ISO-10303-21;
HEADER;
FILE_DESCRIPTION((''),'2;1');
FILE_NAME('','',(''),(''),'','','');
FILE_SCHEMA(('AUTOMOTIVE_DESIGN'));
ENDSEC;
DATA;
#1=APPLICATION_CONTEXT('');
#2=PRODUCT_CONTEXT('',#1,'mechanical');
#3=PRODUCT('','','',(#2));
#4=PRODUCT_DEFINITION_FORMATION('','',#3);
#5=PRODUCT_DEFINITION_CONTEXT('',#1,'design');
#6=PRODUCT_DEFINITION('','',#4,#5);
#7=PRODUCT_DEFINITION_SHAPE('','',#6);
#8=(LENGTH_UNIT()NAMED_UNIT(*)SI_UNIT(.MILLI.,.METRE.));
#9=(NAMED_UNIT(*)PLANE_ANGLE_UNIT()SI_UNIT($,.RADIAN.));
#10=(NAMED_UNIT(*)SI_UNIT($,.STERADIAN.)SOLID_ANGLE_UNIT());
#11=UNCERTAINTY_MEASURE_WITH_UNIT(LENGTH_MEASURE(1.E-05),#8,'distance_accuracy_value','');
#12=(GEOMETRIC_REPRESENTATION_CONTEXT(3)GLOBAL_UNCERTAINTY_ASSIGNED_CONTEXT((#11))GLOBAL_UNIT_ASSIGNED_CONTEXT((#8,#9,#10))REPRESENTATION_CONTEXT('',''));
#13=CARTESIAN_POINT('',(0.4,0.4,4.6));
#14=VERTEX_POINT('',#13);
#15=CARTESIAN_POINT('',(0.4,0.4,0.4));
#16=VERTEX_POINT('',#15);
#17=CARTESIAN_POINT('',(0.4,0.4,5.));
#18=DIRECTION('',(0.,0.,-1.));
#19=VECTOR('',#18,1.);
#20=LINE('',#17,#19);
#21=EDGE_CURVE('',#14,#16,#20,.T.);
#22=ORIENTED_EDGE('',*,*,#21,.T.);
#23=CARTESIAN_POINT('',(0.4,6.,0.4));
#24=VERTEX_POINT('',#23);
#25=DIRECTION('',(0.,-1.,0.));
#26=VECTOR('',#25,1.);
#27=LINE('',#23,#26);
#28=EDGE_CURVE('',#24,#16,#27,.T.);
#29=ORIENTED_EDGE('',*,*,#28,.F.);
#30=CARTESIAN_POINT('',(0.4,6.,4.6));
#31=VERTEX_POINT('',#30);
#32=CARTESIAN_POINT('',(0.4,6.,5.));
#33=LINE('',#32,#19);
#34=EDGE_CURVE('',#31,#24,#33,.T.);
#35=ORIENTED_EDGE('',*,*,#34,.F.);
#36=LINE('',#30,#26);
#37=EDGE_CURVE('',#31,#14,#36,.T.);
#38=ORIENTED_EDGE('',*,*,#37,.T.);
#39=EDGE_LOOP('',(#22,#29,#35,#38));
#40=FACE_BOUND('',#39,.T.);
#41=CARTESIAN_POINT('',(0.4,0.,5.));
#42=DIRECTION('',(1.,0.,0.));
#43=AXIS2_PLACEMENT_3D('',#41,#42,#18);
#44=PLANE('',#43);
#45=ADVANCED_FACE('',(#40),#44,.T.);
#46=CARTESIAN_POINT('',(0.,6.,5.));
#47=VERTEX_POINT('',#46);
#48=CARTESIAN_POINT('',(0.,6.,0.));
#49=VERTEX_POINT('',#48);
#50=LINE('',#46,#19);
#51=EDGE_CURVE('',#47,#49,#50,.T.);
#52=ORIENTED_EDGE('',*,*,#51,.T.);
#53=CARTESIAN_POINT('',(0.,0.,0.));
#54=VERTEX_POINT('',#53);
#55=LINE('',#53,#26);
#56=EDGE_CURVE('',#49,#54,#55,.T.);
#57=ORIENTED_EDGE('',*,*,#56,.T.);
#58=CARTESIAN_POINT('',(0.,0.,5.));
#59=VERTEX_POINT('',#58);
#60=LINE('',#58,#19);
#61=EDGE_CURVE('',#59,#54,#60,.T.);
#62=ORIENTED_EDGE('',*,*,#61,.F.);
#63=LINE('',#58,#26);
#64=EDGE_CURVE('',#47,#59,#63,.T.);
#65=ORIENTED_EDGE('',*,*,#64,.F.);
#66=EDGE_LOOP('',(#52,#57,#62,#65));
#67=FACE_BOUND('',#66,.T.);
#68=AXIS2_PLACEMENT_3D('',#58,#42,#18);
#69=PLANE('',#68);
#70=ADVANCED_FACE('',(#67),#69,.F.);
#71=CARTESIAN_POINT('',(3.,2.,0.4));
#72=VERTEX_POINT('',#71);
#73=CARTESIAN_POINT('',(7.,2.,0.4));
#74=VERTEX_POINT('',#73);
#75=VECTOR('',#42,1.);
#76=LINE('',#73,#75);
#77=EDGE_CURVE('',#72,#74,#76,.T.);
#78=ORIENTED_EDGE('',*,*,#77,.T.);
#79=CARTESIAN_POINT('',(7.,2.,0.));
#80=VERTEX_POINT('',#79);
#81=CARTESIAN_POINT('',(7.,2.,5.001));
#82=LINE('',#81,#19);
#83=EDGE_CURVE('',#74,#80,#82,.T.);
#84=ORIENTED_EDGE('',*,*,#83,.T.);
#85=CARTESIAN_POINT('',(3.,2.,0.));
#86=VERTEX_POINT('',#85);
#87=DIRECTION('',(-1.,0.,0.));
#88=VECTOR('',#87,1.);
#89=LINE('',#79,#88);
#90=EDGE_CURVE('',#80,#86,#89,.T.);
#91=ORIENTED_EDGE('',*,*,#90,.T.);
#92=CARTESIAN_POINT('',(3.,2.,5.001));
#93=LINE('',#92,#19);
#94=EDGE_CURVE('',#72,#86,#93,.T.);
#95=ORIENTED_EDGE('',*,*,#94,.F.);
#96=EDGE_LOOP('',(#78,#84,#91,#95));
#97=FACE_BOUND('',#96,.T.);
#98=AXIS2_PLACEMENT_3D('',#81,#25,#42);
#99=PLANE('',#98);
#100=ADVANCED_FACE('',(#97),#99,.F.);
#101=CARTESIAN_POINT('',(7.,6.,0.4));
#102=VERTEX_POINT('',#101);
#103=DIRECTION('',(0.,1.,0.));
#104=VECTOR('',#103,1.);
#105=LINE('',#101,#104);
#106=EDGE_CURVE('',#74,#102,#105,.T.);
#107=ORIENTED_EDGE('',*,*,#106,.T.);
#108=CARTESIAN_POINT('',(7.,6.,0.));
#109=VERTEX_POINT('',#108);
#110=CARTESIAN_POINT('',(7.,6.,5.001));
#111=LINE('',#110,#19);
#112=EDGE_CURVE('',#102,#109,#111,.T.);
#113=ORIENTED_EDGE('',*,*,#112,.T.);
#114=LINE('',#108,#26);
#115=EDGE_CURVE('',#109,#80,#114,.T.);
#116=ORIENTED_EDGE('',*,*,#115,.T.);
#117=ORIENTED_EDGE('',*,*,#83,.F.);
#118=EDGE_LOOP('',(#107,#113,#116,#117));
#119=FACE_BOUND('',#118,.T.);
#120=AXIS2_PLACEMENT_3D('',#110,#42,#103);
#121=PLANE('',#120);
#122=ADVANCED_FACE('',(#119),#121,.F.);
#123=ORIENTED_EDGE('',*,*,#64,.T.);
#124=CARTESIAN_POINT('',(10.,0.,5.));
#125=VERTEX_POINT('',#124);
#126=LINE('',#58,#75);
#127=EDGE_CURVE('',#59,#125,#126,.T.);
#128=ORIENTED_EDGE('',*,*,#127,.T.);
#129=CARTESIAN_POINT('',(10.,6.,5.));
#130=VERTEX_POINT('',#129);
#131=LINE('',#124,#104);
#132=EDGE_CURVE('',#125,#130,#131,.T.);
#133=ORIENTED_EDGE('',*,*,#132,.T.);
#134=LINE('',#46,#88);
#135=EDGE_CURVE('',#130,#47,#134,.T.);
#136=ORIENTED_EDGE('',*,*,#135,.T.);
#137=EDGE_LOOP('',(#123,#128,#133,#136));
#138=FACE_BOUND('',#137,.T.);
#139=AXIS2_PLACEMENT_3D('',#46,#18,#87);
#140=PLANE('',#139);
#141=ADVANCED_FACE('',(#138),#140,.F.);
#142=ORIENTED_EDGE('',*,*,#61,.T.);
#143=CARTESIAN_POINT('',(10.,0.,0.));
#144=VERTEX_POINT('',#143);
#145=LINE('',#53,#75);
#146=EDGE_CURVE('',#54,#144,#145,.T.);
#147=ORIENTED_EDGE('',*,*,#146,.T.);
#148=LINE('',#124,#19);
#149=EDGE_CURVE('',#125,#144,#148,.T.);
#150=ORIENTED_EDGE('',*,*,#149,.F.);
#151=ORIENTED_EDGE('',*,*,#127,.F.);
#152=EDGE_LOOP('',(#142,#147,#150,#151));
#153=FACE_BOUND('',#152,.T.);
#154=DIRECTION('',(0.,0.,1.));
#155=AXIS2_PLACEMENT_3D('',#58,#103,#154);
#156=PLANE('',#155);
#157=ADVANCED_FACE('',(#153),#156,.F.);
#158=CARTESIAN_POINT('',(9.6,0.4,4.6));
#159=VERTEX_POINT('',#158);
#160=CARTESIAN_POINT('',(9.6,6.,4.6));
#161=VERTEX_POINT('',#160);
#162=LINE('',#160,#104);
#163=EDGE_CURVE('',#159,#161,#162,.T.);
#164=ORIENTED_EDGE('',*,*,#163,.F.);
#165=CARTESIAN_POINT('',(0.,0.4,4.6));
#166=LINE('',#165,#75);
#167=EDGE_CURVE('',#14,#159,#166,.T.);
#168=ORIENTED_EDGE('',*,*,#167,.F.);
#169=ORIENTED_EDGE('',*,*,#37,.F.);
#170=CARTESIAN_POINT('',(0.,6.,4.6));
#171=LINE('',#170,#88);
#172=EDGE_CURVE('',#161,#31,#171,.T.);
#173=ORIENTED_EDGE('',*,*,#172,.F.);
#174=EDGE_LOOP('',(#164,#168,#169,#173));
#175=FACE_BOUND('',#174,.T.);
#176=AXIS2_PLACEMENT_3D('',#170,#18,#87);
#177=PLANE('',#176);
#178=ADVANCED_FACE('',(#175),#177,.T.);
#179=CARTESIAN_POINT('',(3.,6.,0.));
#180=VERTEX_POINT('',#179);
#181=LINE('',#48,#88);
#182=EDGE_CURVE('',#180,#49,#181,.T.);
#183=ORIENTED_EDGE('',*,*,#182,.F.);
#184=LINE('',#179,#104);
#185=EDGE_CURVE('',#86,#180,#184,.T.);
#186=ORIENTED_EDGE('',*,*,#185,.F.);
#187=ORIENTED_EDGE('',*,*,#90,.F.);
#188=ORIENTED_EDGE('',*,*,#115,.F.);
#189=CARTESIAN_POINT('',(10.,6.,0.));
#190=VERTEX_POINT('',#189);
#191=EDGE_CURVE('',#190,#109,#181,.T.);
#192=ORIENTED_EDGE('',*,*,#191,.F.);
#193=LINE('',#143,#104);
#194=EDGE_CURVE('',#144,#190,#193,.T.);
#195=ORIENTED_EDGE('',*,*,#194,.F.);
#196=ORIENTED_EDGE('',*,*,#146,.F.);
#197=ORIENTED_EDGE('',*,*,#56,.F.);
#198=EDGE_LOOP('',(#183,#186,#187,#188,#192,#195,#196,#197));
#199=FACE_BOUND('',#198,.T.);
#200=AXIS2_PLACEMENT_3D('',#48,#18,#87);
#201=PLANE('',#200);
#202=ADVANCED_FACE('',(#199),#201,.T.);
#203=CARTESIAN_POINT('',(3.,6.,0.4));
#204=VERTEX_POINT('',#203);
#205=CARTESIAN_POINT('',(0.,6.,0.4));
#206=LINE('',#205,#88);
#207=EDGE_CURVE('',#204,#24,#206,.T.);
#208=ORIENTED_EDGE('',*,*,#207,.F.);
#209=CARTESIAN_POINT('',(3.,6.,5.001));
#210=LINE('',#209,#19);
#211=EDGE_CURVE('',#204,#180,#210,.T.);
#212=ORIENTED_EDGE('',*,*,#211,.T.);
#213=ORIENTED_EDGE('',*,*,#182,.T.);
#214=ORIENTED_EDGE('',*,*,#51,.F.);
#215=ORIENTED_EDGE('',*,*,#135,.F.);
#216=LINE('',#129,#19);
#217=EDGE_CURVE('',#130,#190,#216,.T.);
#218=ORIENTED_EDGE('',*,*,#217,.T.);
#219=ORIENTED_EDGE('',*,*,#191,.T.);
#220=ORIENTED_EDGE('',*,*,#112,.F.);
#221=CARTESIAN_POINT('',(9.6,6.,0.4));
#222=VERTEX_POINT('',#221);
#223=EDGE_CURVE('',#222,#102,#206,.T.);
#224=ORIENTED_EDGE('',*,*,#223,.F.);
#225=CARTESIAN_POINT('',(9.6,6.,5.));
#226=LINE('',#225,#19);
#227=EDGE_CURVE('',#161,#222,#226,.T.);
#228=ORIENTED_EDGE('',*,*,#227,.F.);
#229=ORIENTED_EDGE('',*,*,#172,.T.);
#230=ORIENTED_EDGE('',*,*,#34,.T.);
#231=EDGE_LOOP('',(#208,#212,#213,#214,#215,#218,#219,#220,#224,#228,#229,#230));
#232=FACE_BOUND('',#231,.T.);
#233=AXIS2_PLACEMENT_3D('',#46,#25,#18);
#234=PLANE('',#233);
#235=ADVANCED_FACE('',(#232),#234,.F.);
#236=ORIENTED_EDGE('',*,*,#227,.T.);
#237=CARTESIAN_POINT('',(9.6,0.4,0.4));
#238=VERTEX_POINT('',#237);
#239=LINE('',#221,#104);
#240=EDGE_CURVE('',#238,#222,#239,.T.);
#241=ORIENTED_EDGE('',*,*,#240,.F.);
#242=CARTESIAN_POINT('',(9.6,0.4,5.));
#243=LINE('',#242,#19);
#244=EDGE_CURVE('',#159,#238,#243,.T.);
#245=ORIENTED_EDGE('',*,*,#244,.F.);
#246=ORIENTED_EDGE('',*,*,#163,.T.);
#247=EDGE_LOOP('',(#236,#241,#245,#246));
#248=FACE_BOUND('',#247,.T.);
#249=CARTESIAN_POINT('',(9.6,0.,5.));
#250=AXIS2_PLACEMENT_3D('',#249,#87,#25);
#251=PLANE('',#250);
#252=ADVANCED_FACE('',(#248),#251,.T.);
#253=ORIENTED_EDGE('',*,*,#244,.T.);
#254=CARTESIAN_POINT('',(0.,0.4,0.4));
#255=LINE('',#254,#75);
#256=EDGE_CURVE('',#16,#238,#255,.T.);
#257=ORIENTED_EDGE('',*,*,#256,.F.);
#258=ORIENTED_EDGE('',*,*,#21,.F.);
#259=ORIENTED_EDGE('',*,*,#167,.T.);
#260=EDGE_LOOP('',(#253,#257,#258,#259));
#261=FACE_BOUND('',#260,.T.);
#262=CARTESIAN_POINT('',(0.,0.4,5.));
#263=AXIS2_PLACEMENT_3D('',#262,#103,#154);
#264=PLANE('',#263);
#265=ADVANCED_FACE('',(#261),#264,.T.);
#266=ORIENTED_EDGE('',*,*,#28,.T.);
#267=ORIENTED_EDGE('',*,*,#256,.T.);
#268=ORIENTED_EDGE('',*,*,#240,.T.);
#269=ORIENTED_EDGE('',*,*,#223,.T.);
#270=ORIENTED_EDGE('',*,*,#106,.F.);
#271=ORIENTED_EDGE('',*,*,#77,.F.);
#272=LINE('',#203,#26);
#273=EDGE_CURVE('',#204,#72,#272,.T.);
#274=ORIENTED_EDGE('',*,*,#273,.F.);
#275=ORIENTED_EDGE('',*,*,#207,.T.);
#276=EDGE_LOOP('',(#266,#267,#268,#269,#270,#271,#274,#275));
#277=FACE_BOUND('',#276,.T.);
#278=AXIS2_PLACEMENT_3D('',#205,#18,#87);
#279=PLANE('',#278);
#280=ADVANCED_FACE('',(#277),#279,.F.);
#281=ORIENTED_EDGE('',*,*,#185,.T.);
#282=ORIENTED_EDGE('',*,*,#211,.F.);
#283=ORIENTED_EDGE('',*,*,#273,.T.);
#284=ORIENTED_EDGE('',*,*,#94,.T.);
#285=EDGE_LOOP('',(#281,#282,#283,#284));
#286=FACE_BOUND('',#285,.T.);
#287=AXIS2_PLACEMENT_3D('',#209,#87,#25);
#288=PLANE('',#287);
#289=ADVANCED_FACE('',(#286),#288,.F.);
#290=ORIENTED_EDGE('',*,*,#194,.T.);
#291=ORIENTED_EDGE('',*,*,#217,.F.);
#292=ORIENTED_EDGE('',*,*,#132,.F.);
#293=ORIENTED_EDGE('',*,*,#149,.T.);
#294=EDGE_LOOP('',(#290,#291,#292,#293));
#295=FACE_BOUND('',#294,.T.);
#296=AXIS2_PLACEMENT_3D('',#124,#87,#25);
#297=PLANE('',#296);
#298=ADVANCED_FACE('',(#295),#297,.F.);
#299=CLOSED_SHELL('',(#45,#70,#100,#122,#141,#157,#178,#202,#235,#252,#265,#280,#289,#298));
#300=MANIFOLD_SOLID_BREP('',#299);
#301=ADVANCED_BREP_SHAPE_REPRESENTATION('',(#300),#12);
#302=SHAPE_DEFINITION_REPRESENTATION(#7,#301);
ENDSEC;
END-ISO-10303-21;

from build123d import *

# Parameters (mm, degrees)
SKETCH_1_W          = 10
SKETCH_1_H          = 6
EXTRUDE_1_DEPTH     = 5
SHELL_1_T           = -0.4
CUT_EXTRUDE_1_REACH = 14.689
SKETCH_2_W          = 4
SKETCH_2_H          = 4


with BuildPart() as part:
    # 草图1 → 凸台-拉伸1 (new body)
    with BuildSketch(Plane.XY):
        with Locations((5, 3)):
            Rectangle(SKETCH_1_W, SKETCH_1_H)
    extrude(amount=EXTRUDE_1_DEPTH)

    # 抽壳1
    shell_1_openings = [part.faces().sort_by_distance(p)[0] for p in [
        (5, 6, 2.5),
    ]]
    offset(amount=SHELL_1_T, openings=shell_1_openings, kind=Kind.INTERSECTION)

    # 草图2 → 切除-拉伸1 (cut, up to next)
    with BuildSketch(Plane(origin=(0, 0, 0), x_dir=(-1, 0, 0), z_dir=(0, 0, -1)), mode=Mode.PRIVATE) as cut_extrude_1_sk1:
        with Locations((-5, 4)):
            Rectangle(SKETCH_2_W, SKETCH_2_H)
    cut_extrude_1_tool1 = extrude(cut_extrude_1_sk1.sketch, amount=-CUT_EXTRUDE_1_REACH, mode=Mode.PRIVATE) & part.part
    add(cut_extrude_1_tool1.solids().sort_by_distance((5, 4, 0))[0], mode=Mode.SUBTRACT)


solid = part.part
